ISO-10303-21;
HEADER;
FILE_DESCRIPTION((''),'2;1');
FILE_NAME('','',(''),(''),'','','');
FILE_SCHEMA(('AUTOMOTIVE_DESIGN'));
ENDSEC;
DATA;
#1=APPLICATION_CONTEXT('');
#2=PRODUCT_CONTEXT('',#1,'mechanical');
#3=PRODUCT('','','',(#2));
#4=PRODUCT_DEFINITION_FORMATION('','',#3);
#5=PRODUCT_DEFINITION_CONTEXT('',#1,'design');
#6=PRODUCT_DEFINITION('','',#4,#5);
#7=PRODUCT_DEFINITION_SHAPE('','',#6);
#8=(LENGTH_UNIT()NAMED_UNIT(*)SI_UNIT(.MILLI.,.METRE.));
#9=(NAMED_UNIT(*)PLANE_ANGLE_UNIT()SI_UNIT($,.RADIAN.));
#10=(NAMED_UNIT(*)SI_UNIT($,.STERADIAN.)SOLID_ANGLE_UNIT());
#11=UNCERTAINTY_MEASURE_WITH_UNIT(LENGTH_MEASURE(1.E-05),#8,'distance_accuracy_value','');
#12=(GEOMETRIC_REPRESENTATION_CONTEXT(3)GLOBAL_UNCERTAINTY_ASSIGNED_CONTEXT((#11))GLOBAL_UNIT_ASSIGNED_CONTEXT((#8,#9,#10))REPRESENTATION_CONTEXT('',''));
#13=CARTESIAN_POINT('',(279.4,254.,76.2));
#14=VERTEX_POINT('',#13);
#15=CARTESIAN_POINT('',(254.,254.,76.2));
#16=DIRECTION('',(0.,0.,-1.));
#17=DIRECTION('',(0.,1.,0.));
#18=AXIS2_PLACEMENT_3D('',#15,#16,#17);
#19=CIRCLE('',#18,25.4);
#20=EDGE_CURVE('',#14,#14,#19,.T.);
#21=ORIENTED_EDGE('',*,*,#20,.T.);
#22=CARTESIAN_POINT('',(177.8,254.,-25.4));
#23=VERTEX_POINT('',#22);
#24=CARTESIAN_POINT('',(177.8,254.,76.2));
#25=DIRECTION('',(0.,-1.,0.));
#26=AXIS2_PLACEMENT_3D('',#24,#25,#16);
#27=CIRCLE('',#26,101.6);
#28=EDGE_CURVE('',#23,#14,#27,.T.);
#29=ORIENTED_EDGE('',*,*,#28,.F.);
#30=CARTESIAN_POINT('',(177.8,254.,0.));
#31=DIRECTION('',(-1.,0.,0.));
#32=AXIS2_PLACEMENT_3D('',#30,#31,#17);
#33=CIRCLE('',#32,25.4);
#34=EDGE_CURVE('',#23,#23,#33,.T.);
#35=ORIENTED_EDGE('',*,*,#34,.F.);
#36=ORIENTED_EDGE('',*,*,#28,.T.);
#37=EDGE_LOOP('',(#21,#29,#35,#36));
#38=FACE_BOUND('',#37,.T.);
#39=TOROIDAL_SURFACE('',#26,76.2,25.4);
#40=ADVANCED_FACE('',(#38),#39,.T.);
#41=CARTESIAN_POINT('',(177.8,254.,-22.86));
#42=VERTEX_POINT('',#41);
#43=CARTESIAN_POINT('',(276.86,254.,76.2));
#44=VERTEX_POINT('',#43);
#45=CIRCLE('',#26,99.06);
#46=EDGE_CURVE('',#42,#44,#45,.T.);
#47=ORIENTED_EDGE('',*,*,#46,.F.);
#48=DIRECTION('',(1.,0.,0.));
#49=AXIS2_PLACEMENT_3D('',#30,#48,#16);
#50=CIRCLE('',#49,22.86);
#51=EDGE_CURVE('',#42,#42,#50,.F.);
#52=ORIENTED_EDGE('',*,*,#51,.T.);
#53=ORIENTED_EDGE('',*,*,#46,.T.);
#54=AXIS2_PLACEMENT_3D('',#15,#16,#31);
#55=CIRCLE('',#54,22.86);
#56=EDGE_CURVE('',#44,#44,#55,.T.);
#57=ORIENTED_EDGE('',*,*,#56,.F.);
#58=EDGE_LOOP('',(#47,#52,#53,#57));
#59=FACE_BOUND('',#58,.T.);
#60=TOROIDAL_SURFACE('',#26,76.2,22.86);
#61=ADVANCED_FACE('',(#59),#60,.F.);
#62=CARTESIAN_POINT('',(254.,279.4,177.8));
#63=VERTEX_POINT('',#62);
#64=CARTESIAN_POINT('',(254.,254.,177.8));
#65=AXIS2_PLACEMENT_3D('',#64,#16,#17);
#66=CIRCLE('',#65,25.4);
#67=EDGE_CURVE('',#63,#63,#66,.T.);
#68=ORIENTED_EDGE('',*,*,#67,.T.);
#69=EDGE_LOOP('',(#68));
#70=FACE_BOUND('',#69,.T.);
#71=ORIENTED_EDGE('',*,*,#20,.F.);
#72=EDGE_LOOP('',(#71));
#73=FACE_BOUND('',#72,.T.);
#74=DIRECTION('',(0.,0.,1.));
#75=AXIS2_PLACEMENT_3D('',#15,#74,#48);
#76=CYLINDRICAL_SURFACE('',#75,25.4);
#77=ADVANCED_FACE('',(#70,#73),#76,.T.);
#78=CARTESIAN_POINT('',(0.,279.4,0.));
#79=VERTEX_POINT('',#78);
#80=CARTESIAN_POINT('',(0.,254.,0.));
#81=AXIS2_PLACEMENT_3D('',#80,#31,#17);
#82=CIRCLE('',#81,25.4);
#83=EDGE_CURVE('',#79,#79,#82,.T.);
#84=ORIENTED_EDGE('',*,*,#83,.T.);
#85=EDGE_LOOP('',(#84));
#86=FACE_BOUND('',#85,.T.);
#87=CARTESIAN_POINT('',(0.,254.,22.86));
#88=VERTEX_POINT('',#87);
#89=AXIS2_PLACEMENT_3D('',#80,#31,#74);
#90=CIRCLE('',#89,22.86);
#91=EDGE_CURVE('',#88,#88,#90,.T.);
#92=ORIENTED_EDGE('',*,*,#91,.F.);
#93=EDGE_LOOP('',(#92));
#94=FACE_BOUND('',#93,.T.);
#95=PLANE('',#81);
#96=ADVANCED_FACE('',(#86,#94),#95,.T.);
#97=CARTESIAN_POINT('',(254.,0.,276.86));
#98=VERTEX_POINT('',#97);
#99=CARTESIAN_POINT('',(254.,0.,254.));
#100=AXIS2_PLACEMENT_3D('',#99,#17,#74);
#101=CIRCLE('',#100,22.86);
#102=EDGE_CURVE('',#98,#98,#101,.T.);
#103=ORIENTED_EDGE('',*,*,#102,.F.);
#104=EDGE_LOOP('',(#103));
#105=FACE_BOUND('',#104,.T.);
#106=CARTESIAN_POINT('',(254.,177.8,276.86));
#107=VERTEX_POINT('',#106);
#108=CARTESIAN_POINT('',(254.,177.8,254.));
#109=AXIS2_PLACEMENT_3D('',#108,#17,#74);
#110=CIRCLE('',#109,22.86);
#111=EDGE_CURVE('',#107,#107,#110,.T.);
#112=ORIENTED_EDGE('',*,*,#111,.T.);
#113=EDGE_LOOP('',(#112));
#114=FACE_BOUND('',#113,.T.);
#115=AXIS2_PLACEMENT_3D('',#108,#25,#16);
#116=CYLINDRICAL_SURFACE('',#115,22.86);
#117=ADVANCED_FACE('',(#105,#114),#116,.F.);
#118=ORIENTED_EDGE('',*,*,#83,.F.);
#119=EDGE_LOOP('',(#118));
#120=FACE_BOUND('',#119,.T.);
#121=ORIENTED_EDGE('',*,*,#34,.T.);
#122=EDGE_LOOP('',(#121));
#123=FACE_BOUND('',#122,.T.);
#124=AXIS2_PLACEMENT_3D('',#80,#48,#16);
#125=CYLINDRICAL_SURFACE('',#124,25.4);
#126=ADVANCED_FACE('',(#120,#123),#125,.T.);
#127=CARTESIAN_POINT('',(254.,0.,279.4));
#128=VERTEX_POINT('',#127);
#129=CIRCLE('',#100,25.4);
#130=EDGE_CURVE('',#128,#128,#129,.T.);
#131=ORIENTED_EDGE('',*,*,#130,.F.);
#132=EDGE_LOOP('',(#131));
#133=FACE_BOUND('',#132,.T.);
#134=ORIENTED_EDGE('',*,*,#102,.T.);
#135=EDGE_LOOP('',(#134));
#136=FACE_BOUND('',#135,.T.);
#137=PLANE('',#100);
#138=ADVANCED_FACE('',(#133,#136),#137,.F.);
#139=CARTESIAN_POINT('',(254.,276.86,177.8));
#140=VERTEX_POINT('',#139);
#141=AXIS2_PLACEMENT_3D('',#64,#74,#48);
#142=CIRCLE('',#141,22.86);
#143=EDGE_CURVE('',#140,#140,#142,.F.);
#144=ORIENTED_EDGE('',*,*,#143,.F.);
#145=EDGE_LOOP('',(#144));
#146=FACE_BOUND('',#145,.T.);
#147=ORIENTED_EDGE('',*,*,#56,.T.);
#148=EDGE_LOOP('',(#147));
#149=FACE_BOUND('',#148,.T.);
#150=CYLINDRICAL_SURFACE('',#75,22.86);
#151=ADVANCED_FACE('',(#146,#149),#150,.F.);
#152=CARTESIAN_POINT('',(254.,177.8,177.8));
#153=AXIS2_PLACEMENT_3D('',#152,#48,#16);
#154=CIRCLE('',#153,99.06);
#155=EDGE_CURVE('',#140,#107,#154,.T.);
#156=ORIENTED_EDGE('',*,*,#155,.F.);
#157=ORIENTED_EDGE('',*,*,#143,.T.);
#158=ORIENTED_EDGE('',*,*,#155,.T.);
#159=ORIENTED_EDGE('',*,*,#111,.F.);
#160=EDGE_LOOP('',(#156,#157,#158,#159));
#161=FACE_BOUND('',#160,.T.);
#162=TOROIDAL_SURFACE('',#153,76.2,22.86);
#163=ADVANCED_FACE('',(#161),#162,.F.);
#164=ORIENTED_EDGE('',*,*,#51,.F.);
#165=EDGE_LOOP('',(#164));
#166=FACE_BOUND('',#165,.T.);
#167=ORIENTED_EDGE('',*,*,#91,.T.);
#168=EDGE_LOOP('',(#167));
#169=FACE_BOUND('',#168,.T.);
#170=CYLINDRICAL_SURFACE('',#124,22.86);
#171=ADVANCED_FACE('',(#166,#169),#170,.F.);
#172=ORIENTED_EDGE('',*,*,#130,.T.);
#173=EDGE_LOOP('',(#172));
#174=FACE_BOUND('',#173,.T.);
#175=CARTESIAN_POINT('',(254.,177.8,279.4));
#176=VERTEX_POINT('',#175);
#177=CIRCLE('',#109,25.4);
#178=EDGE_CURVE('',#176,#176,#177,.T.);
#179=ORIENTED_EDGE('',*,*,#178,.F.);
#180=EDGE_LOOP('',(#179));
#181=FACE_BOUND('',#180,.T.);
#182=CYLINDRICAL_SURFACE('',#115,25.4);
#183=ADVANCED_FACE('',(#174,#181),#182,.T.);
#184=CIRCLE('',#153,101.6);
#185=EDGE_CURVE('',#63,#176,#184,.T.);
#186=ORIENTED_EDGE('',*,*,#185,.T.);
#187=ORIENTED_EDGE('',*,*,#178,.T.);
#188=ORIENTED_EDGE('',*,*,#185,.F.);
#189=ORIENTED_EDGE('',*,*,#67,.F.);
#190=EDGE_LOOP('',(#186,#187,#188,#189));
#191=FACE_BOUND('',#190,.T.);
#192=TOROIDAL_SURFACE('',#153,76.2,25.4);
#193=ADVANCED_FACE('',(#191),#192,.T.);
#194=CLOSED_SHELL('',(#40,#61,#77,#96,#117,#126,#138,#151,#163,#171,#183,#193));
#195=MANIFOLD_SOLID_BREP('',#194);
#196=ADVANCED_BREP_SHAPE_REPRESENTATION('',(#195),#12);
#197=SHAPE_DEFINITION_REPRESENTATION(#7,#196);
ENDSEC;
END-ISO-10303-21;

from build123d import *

# Parameters (mm, degrees)
SWEEP1_PROFILE_R = 25.4
SHELL2_T         = -2.54


with BuildPart() as part:
    # Sweep1: sweep along a curve in space
    with BuildLine() as sweep1_path:
        Line((0, 254, 0), (177.8, 254, 0))
        ThreePointArc((254, 254, 76.2), (231.681536726, 254, 22.318463274), (177.8, 254, 0))
        Line((254, 254, 76.2), (254, 254, 177.8))
        ThreePointArc((254, 177.8, 254), (254, 231.681536726, 231.681536726), (254, 254, 177.8))
        Line((254, 177.8, 254), (254, 0, 254))
    # Sweep1 profile (on start of the path) → Sweep1 (sweep)
    with BuildSketch(Plane(origin=(0, 254, 0), x_dir=(0, 0, 1), z_dir=(1, 0, 0))):
        Circle(SWEEP1_PROFILE_R)
    sweep(path=sweep1_path.line)

    # Shell2
    shell2_openings = [part.faces().sort_by_distance(p)[0] for p in [
        (254, 0, 254),
        (0, 254, 0),
    ]]
    offset(amount=SHELL2_T, openings=shell2_openings, kind=Kind.INTERSECTION)


solid = part.part
